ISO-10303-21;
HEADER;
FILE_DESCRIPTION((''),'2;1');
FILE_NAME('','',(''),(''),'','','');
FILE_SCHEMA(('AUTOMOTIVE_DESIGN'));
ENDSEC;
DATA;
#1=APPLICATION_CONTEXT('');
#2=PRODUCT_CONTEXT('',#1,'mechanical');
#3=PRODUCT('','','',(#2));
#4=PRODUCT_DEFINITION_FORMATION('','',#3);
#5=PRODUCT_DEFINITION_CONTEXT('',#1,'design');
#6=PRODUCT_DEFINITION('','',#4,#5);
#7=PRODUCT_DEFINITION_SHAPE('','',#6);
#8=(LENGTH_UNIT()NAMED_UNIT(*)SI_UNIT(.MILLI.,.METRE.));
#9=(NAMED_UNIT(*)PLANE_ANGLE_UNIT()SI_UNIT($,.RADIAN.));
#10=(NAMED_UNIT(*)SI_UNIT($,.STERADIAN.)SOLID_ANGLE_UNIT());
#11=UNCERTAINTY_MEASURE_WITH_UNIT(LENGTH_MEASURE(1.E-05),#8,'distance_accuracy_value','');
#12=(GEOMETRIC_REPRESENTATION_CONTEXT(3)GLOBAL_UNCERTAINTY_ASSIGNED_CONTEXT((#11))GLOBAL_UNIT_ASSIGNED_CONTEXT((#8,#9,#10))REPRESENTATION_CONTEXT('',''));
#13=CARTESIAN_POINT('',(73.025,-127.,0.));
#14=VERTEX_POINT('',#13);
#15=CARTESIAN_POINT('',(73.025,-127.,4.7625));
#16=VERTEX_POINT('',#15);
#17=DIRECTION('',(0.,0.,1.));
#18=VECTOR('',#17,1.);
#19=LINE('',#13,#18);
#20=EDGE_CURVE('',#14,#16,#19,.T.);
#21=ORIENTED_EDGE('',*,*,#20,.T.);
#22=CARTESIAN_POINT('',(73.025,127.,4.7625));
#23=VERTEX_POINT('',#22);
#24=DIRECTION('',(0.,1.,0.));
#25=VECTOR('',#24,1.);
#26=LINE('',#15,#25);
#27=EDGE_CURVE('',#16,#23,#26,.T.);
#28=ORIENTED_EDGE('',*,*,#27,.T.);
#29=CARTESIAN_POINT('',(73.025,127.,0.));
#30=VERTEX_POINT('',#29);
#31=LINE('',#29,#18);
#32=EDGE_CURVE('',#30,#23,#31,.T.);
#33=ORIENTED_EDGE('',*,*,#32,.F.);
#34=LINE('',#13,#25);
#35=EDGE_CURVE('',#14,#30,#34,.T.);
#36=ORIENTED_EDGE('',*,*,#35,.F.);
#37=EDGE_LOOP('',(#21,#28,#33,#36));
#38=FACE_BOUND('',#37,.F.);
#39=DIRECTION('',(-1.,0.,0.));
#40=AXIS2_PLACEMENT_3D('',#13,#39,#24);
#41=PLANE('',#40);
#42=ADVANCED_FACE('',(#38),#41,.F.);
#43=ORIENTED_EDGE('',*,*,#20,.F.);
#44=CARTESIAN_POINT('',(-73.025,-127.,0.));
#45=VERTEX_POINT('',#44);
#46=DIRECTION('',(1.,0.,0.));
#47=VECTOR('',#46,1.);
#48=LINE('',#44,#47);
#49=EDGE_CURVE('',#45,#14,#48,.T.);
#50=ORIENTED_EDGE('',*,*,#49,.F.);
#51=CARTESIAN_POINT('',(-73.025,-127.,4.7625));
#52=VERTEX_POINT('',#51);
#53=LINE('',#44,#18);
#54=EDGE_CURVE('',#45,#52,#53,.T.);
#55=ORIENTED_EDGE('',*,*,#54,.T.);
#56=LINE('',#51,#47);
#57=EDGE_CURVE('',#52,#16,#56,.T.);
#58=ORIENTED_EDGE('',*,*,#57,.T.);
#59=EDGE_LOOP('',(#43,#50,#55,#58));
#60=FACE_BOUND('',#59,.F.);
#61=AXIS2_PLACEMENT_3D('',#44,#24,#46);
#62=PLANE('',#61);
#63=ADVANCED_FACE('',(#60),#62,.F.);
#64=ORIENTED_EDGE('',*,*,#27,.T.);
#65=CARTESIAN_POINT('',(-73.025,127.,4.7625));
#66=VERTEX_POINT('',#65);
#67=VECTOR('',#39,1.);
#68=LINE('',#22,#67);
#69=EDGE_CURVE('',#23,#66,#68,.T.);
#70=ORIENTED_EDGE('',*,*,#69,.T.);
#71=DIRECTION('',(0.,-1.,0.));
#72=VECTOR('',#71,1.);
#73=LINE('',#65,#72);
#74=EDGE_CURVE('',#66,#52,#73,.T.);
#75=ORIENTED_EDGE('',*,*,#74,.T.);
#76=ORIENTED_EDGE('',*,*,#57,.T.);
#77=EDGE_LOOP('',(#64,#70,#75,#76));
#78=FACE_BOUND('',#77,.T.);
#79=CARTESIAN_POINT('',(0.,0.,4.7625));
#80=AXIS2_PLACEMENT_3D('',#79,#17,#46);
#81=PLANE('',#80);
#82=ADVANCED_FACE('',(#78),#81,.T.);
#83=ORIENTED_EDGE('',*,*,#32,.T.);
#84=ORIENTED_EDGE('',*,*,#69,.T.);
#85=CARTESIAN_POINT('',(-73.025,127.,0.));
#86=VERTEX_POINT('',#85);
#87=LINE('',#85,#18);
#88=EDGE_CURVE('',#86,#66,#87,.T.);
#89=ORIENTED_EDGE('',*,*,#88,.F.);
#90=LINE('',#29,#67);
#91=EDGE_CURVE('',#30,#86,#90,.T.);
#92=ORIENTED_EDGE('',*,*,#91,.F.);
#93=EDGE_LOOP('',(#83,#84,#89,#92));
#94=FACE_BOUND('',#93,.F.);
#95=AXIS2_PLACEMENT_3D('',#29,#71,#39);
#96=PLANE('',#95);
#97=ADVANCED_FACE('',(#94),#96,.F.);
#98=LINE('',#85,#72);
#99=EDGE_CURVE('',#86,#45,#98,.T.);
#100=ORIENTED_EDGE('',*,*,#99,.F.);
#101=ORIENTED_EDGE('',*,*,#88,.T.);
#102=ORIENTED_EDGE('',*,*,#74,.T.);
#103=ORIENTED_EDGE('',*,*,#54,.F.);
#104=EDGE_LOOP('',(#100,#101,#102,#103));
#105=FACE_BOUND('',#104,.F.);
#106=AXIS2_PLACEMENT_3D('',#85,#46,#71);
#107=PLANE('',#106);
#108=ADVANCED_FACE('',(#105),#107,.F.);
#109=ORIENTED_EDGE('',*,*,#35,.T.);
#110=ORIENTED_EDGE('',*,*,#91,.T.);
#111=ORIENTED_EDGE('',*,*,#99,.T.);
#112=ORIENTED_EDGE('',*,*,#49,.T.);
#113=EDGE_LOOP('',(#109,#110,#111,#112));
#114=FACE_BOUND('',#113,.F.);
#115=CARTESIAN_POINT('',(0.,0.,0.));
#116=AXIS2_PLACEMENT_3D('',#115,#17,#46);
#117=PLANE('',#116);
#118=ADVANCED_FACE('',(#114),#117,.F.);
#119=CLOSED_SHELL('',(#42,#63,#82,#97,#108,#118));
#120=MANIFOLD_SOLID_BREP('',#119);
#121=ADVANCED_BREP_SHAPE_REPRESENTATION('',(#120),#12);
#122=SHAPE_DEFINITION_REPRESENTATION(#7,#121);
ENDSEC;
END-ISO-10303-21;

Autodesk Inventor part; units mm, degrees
ref_plane "YZ Plane" through (0, 0, 0) normal (1, 0, 0) x (0, 1, 0)
ref_plane "XZ Plane" through (0, 0, 0) normal (0, 1, 0) x (-1, 0, 0)
ref_plane "XY Plane" through (0, 0, 0) normal (0, 0, 1) x (1, 0, 0)
sketch "Sketch1" plane through (0, 0, 0) normal (0, 0, 1) x (1, 0, 0)
  line L0 (-73.025, -127) -> (73.025, -127)
  line L1 (73.025, -127) -> (73.025, 127)
  line L2 (73.025, 127) -> (-73.025, 127)
  line L3 (-73.025, 127) -> (-73.025, -127)
  line L4 (-73.025, -127) -> (73.025, 127) construction
  line L5 (73.025, -127) -> (-73.025, 127) construction
  point P0 (0, 0)
  dimension "d0" = 254
  dimension "d1" = 146.05
extrude "Plate1" add sketch "Sketch1" along normal blind 4.7625
equation "\"BendRadius\" = Thickness"
equation "\"BendReliefWidth\" = Thickness"
equation "\"BendReliefDepth\" = 0.5 * Thickness"
equation "\"CornerReliefSize\" = 4 * Thickness"
equation "\"MinimumRemnant\" = 2 * Thickness"
equation "\"TransitionRadius\" = BendRadius"
equation "\"JacobiRadiusSize\" = BendRadius"
equation "\"GapSize\" = Thickness"
equation "\"d2\" = BendRadius"
equation "\"Thickness\" = 4.7625"
properties part number "RearMiddleBackCenter" material "Steel, Mild"
